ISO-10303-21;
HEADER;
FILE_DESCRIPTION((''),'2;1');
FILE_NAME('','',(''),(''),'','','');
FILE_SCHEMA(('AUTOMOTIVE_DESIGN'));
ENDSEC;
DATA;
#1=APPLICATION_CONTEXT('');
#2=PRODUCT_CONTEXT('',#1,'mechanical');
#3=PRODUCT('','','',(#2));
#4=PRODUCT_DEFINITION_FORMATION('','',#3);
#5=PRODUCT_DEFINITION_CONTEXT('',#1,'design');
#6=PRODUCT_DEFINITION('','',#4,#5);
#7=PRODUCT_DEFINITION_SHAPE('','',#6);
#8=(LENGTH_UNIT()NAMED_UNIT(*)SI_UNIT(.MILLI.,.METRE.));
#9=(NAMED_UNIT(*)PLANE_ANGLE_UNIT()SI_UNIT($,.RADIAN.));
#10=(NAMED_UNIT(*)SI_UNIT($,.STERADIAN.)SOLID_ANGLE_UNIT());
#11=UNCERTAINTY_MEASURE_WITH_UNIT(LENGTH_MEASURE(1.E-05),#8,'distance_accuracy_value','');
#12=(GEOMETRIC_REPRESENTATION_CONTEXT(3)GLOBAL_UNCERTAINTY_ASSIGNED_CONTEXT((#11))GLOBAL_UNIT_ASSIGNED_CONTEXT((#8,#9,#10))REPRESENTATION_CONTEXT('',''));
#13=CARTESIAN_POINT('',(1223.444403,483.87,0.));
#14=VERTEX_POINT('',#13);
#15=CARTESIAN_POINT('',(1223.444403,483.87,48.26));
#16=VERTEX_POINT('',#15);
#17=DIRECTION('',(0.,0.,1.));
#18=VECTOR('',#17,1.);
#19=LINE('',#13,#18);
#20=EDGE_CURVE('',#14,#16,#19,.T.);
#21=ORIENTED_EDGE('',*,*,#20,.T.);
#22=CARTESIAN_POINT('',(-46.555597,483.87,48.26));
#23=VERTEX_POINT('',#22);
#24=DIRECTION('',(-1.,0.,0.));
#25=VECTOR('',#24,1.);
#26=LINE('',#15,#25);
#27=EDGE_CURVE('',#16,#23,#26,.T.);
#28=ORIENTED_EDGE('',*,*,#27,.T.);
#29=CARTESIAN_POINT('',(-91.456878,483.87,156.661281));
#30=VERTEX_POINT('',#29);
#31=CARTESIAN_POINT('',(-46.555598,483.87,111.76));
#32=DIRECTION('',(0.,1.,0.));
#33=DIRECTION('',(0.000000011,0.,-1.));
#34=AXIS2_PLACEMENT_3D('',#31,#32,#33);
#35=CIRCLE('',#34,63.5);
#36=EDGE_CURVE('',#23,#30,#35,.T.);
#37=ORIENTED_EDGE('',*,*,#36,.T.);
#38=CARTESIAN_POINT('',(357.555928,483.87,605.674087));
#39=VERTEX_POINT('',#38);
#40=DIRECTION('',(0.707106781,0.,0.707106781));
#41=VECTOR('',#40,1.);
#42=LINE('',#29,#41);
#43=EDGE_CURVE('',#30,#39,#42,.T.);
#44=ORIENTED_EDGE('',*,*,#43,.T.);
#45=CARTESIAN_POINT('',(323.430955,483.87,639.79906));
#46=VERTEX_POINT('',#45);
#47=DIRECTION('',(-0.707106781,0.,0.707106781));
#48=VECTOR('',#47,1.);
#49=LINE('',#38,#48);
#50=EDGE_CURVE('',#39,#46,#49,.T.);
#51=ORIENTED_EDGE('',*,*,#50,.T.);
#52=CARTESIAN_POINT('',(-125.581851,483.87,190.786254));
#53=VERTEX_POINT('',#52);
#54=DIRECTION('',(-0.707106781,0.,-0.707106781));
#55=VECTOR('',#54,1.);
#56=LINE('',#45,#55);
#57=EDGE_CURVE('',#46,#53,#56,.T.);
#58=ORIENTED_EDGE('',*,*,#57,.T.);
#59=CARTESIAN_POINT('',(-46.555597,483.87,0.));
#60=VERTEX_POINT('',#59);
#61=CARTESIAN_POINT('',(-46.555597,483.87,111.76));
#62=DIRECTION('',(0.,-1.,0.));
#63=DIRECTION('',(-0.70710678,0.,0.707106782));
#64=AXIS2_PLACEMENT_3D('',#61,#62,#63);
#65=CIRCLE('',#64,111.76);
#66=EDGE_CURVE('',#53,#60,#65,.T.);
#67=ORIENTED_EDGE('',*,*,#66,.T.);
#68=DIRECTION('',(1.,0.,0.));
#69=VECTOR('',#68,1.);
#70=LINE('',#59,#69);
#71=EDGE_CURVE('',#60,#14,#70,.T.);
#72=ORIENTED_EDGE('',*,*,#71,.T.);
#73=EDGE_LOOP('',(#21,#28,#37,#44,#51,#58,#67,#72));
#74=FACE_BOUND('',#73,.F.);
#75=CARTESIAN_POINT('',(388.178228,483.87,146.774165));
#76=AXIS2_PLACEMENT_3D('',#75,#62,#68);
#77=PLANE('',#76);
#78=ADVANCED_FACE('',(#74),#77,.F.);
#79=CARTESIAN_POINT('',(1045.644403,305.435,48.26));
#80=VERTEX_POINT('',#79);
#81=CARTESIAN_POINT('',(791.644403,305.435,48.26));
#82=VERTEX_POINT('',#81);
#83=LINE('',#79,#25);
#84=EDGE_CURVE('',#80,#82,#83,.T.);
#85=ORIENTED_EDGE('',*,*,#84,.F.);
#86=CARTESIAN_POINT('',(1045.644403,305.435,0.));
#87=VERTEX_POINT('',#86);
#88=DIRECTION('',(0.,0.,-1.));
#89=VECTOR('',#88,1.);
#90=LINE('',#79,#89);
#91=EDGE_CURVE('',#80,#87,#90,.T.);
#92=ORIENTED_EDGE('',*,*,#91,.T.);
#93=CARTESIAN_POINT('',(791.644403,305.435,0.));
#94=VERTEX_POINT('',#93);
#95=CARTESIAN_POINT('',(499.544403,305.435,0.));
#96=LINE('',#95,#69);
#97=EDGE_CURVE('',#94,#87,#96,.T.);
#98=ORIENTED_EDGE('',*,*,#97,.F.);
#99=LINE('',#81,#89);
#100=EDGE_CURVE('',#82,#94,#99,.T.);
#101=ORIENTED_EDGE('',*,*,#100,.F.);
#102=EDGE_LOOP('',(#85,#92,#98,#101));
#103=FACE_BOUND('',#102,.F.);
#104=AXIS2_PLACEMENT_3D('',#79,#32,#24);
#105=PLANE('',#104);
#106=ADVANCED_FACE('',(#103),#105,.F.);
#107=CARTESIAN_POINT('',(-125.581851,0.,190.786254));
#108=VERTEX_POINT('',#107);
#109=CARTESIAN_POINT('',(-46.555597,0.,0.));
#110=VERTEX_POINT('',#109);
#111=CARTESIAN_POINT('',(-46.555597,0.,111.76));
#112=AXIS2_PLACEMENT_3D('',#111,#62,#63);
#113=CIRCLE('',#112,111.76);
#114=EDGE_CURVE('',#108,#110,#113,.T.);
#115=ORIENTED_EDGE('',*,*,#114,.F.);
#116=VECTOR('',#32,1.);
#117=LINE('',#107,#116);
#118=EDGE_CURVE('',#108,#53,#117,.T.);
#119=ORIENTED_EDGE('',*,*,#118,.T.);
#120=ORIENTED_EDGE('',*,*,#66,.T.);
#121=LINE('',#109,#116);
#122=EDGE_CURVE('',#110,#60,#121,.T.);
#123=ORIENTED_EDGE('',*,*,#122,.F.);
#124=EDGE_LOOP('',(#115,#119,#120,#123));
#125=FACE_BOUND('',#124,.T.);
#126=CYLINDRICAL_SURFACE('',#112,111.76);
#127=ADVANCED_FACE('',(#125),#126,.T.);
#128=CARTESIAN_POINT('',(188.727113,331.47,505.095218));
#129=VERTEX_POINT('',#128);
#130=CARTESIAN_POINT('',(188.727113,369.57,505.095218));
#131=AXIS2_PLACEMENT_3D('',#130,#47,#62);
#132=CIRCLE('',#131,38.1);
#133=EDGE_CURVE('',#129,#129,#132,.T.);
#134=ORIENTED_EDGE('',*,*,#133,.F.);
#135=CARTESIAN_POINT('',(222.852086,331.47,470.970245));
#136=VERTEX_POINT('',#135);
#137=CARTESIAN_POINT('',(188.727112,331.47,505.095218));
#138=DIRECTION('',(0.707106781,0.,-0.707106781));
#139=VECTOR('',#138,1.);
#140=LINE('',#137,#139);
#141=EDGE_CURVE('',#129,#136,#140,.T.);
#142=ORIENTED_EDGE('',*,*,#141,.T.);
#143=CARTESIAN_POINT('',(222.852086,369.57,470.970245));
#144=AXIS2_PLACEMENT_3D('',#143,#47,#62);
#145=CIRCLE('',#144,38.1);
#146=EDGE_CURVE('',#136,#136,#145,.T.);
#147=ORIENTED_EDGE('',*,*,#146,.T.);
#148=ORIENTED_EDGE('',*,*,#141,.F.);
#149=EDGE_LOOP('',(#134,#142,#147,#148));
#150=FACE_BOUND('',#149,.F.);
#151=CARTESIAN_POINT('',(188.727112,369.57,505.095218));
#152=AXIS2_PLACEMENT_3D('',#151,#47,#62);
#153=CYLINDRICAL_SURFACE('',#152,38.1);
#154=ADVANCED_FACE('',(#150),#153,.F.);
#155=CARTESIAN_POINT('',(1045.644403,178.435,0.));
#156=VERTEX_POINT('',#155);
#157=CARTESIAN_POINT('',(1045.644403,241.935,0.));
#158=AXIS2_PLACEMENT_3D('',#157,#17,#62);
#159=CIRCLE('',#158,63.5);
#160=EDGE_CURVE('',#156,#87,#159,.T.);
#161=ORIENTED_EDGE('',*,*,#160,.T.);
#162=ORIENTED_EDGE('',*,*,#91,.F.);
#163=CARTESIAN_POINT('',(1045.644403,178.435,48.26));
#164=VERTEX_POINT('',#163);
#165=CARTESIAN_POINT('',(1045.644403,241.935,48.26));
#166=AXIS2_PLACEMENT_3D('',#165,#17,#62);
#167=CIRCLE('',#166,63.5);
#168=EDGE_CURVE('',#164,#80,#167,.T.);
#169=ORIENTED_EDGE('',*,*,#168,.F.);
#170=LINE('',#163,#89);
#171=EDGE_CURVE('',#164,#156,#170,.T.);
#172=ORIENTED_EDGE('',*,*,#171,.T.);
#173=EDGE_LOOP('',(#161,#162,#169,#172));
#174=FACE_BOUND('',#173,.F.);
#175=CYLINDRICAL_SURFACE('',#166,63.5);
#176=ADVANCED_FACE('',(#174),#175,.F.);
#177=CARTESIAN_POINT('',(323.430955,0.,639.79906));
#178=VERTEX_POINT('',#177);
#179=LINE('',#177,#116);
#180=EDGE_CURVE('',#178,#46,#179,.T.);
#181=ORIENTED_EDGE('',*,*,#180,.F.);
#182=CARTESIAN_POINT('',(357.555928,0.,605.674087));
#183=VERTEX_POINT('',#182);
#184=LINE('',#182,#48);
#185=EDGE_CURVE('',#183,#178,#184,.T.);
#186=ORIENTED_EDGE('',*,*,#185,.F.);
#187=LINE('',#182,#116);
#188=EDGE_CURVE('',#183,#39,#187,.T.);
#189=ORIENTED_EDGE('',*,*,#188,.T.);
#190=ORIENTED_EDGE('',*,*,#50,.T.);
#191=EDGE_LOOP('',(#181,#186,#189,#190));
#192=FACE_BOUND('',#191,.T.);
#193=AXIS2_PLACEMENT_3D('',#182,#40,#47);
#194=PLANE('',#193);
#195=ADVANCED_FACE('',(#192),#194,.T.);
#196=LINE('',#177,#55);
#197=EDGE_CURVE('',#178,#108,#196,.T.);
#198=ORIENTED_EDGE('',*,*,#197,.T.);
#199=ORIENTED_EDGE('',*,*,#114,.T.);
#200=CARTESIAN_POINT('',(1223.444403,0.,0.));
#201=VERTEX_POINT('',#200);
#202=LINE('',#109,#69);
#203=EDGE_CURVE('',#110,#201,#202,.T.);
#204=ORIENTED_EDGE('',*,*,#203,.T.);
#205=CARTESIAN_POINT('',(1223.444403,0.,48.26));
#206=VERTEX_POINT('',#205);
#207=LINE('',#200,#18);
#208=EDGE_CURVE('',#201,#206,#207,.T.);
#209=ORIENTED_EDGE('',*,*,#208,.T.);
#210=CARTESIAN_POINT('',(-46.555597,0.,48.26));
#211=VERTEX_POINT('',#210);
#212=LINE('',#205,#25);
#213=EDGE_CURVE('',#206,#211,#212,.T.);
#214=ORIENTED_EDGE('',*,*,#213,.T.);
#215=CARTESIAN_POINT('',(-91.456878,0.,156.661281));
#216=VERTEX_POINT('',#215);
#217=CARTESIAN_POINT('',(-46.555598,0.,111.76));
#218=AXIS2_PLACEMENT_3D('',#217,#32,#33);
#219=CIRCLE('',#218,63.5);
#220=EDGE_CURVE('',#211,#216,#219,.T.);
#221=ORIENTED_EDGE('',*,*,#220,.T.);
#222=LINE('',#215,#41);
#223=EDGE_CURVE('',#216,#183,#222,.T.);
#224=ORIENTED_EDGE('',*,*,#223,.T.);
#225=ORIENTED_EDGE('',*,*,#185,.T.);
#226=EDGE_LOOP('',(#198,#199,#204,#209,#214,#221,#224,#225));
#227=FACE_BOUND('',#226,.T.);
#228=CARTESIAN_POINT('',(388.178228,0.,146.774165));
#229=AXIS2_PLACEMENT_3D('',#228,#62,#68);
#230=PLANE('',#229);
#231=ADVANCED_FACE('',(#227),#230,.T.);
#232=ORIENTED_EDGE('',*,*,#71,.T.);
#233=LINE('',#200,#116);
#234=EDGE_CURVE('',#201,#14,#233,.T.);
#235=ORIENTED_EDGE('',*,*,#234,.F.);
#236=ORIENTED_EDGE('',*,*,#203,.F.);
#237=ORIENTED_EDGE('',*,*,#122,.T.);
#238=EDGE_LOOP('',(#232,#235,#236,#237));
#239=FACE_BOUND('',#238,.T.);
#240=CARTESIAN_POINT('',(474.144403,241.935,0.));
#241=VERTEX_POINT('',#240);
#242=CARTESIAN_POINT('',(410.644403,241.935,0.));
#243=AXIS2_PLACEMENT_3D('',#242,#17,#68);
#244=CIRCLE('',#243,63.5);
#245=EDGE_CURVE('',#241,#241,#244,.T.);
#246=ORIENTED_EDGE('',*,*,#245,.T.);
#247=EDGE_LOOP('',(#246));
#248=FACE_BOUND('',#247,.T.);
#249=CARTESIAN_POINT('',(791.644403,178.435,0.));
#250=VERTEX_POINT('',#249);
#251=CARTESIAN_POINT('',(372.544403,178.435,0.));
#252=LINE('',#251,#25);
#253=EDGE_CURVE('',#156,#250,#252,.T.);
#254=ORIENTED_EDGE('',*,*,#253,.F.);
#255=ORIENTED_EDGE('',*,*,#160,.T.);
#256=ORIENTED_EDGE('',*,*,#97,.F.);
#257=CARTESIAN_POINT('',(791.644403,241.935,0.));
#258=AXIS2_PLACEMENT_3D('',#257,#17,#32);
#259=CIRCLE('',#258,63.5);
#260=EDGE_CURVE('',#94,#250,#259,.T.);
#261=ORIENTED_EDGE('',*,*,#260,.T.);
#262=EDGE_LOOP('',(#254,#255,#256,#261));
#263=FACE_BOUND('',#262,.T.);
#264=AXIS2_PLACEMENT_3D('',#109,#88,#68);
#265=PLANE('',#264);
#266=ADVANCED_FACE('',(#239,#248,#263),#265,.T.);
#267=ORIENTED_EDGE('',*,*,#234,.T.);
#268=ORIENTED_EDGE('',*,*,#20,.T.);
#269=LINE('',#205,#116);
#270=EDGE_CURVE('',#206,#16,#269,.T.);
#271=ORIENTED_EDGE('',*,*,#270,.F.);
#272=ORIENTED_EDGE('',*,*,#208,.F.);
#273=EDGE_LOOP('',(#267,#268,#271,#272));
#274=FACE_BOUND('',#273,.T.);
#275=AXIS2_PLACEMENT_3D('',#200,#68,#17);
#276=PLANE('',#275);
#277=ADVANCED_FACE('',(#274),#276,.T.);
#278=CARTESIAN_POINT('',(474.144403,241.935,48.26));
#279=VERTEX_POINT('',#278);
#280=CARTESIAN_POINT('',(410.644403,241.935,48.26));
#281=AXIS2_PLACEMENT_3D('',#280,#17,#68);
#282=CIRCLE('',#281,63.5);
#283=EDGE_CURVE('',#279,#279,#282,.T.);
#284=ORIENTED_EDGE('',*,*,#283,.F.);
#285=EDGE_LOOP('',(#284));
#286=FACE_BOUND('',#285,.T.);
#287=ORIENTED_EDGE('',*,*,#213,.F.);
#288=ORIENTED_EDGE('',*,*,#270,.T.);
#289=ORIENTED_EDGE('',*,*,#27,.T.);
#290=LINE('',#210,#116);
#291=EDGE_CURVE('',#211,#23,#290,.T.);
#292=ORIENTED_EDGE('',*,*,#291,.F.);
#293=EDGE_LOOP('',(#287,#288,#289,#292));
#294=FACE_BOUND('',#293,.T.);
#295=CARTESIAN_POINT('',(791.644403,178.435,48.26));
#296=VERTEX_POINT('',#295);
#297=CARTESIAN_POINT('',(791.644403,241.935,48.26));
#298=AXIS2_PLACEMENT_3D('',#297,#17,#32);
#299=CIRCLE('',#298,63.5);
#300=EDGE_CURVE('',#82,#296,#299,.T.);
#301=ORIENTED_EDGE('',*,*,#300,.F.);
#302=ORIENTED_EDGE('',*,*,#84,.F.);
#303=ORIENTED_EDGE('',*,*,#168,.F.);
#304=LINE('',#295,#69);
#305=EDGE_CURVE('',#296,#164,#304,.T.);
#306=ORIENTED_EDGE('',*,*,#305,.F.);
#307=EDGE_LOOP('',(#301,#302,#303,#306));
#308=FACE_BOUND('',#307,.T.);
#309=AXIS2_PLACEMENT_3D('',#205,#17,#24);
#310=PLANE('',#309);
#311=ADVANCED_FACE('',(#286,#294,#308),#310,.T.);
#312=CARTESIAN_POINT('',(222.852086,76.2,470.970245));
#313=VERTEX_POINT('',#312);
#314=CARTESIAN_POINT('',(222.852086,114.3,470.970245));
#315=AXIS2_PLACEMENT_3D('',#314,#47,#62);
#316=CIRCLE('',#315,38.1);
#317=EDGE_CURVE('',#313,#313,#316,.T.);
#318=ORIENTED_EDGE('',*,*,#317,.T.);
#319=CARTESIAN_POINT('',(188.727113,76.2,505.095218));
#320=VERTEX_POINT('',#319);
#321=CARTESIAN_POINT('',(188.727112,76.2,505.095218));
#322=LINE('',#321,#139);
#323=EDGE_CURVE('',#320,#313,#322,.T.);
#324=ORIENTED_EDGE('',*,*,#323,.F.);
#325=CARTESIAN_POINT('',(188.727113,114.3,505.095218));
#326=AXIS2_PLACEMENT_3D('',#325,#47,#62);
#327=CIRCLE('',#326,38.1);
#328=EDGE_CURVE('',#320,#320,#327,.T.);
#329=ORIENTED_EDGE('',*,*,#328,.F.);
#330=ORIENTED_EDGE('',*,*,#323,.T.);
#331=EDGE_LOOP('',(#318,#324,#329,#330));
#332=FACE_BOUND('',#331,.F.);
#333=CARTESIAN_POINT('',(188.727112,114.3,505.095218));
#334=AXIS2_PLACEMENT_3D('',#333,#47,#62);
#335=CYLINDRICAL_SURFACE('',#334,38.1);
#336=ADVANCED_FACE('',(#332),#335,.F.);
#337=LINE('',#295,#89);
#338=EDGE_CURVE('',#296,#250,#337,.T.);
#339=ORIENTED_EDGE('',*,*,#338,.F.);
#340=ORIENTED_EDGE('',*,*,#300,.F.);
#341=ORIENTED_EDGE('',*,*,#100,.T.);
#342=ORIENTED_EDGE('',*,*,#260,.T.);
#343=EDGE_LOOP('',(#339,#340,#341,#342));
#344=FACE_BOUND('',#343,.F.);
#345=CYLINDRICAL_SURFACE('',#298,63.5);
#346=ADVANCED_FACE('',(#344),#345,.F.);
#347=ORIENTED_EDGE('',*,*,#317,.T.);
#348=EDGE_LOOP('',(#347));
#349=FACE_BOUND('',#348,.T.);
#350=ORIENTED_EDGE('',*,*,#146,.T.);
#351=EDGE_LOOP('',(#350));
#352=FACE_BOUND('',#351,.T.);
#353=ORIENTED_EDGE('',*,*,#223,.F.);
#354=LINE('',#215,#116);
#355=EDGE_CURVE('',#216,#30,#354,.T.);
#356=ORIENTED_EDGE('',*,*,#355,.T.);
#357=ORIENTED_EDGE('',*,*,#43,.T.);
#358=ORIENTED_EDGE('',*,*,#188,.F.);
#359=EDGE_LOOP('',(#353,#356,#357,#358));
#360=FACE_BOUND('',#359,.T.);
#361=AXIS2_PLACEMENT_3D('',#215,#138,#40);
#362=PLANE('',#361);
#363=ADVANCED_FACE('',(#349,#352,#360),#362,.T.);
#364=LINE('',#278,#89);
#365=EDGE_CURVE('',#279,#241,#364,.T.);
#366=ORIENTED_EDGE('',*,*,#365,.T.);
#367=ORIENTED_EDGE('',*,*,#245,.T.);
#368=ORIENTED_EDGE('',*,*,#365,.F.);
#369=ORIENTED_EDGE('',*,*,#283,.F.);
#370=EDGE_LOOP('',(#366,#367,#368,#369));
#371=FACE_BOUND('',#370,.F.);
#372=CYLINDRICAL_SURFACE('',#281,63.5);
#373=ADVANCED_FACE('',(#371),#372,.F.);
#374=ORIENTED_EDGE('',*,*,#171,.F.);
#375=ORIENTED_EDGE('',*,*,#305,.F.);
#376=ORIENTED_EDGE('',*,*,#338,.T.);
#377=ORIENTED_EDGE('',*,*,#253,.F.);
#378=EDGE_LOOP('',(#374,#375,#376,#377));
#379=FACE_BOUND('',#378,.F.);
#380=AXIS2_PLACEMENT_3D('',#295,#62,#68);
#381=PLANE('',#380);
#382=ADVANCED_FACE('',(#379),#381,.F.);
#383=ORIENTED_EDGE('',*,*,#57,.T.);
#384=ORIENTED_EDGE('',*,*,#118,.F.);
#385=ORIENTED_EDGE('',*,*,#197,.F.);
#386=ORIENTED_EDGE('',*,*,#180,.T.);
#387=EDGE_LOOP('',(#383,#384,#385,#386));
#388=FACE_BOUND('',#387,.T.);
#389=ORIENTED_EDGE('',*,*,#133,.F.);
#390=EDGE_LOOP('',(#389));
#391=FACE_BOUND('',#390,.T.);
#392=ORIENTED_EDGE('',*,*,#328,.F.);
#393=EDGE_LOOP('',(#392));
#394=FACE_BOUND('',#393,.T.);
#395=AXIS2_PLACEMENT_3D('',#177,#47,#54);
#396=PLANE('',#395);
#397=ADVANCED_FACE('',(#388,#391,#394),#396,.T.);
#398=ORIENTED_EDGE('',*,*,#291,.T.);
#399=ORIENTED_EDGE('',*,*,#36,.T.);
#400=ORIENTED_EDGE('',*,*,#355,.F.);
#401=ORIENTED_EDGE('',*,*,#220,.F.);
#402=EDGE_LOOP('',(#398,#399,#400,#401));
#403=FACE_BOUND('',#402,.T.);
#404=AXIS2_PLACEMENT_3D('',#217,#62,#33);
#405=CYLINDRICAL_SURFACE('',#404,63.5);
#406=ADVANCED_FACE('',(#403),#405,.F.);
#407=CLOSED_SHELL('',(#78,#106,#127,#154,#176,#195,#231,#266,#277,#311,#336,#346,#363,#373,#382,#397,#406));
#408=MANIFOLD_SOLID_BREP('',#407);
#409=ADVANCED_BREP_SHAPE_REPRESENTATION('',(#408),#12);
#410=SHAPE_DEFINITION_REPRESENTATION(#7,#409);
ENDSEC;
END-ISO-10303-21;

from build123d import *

# Parameters (mm, degrees)
F1_DEPTH = 483.87
F3_DEPTH = 76.2
F4_R     = 38.1
F5_DEPTH = 50.8
F2_R     = 63.5
F6_DEPTH = 50.8


with BuildPart() as f1:
    # F0 (on Front) → F1 (new body)
    with BuildSketch(Plane.XZ):
        with BuildLine():
            Line((323.430955, 639.79906), (-125.581851, 190.786254))
            ThreePointArc((-125.581851, 190.786254), (-149.808374, 68.9913), (-46.555597, 0))
            Line((-46.555597, 0), (1223.444403, 0))
            Line((1223.444403, 0), (1223.444403, 48.26))
            Line((1223.444403, 48.26), (-46.555597, 48.26))
            ThreePointArc((-46.555597, 48.26), (-105.221948, 87.459602), (-91.456878, 156.661281))
            Line((-91.456878, 156.661281), (357.555928, 605.674087))
            Line((357.555928, 605.674087), (323.430955, 639.79906))
        make_face()
    extrude(amount=-F1_DEPTH)

    # F2 (on face) → F3 (cut)
    with BuildSketch(Plane.XY.offset(48.26)):
        with BuildLine():
            Line((791.644403, 178.435), (1045.644403, 178.435))
            ThreePointArc((1045.644403, 178.435), (1109.144403, 241.935), (1045.644403, 305.435))
            Line((1045.644403, 305.435), (791.644403, 305.435))
            ThreePointArc((791.644403, 305.435), (728.144403, 241.935), (791.644403, 178.435))
        make_face()
    extrude(amount=-F3_DEPTH, mode=Mode.SUBTRACT)

    # F4 (on face) → F5 (cut)
    with BuildSketch(Plane(origin=(-158.184053, 0, 158.184053), x_dir=(0, -1, 0), z_dir=(-0.707107, 0, 0.707107))):
        with Locations((-369.57, 490.606475)):
            Circle(F4_R)
        with Locations((-114.3, 490.606475)):
            Circle(F4_R)
    extrude(amount=-F5_DEPTH, mode=Mode.SUBTRACT)

    # F2 (on face) → F6 (cut)
    with BuildSketch(Plane.XY.offset(48.26)):
        with Locations((410.644403, 241.935)):
            Circle(F2_R)
    extrude(amount=-F6_DEPTH, mode=Mode.SUBTRACT)


solid = f1.part
